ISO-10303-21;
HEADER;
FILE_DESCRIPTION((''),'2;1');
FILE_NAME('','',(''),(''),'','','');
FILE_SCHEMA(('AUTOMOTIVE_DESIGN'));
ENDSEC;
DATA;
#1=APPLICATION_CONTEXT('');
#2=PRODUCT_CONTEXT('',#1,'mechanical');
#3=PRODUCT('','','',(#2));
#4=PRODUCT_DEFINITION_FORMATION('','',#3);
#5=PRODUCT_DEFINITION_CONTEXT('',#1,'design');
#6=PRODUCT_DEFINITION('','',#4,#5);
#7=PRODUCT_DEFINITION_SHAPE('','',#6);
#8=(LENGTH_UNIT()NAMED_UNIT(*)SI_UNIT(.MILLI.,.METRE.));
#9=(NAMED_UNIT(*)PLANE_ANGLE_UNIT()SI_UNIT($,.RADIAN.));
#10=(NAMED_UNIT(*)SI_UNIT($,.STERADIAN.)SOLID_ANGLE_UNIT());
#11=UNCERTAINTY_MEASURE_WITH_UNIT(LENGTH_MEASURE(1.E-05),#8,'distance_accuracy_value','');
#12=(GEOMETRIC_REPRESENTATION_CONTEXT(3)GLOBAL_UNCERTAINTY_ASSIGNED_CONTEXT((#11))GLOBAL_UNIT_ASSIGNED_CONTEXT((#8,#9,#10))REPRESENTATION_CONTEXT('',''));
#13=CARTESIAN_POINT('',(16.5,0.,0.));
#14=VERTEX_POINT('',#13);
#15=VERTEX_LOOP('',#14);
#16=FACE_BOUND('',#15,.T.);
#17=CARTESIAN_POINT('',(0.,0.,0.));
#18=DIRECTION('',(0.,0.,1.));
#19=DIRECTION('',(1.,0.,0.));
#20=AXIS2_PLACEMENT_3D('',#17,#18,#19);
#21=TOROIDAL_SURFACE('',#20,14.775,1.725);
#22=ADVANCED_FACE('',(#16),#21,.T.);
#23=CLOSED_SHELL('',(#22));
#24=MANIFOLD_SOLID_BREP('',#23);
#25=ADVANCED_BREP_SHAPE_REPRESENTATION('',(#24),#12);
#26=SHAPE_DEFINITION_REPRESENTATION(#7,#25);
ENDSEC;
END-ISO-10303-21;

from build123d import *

# Parameters (mm, degrees)
SKETCH3_R = 1.725


with BuildPart() as part:
    # Sketch3 → Revolve1 (revolve)
    with BuildSketch(Plane(origin=(0, 0, 0), x_dir=(0, 0, -1), z_dir=(1, 0, 0)), mode=Mode.PRIVATE) as revolve1_sk:
        with Locations((0, 14.775)):
            Circle(SKETCH3_R)
    revolve(revolve1_sk.sketch.rotate(Axis((0, 0, 1.06515357), (0, 0, -1)), 90), axis=Axis((0, 0, 1.06515357), (0, 0, -1)))


solid = part.part
